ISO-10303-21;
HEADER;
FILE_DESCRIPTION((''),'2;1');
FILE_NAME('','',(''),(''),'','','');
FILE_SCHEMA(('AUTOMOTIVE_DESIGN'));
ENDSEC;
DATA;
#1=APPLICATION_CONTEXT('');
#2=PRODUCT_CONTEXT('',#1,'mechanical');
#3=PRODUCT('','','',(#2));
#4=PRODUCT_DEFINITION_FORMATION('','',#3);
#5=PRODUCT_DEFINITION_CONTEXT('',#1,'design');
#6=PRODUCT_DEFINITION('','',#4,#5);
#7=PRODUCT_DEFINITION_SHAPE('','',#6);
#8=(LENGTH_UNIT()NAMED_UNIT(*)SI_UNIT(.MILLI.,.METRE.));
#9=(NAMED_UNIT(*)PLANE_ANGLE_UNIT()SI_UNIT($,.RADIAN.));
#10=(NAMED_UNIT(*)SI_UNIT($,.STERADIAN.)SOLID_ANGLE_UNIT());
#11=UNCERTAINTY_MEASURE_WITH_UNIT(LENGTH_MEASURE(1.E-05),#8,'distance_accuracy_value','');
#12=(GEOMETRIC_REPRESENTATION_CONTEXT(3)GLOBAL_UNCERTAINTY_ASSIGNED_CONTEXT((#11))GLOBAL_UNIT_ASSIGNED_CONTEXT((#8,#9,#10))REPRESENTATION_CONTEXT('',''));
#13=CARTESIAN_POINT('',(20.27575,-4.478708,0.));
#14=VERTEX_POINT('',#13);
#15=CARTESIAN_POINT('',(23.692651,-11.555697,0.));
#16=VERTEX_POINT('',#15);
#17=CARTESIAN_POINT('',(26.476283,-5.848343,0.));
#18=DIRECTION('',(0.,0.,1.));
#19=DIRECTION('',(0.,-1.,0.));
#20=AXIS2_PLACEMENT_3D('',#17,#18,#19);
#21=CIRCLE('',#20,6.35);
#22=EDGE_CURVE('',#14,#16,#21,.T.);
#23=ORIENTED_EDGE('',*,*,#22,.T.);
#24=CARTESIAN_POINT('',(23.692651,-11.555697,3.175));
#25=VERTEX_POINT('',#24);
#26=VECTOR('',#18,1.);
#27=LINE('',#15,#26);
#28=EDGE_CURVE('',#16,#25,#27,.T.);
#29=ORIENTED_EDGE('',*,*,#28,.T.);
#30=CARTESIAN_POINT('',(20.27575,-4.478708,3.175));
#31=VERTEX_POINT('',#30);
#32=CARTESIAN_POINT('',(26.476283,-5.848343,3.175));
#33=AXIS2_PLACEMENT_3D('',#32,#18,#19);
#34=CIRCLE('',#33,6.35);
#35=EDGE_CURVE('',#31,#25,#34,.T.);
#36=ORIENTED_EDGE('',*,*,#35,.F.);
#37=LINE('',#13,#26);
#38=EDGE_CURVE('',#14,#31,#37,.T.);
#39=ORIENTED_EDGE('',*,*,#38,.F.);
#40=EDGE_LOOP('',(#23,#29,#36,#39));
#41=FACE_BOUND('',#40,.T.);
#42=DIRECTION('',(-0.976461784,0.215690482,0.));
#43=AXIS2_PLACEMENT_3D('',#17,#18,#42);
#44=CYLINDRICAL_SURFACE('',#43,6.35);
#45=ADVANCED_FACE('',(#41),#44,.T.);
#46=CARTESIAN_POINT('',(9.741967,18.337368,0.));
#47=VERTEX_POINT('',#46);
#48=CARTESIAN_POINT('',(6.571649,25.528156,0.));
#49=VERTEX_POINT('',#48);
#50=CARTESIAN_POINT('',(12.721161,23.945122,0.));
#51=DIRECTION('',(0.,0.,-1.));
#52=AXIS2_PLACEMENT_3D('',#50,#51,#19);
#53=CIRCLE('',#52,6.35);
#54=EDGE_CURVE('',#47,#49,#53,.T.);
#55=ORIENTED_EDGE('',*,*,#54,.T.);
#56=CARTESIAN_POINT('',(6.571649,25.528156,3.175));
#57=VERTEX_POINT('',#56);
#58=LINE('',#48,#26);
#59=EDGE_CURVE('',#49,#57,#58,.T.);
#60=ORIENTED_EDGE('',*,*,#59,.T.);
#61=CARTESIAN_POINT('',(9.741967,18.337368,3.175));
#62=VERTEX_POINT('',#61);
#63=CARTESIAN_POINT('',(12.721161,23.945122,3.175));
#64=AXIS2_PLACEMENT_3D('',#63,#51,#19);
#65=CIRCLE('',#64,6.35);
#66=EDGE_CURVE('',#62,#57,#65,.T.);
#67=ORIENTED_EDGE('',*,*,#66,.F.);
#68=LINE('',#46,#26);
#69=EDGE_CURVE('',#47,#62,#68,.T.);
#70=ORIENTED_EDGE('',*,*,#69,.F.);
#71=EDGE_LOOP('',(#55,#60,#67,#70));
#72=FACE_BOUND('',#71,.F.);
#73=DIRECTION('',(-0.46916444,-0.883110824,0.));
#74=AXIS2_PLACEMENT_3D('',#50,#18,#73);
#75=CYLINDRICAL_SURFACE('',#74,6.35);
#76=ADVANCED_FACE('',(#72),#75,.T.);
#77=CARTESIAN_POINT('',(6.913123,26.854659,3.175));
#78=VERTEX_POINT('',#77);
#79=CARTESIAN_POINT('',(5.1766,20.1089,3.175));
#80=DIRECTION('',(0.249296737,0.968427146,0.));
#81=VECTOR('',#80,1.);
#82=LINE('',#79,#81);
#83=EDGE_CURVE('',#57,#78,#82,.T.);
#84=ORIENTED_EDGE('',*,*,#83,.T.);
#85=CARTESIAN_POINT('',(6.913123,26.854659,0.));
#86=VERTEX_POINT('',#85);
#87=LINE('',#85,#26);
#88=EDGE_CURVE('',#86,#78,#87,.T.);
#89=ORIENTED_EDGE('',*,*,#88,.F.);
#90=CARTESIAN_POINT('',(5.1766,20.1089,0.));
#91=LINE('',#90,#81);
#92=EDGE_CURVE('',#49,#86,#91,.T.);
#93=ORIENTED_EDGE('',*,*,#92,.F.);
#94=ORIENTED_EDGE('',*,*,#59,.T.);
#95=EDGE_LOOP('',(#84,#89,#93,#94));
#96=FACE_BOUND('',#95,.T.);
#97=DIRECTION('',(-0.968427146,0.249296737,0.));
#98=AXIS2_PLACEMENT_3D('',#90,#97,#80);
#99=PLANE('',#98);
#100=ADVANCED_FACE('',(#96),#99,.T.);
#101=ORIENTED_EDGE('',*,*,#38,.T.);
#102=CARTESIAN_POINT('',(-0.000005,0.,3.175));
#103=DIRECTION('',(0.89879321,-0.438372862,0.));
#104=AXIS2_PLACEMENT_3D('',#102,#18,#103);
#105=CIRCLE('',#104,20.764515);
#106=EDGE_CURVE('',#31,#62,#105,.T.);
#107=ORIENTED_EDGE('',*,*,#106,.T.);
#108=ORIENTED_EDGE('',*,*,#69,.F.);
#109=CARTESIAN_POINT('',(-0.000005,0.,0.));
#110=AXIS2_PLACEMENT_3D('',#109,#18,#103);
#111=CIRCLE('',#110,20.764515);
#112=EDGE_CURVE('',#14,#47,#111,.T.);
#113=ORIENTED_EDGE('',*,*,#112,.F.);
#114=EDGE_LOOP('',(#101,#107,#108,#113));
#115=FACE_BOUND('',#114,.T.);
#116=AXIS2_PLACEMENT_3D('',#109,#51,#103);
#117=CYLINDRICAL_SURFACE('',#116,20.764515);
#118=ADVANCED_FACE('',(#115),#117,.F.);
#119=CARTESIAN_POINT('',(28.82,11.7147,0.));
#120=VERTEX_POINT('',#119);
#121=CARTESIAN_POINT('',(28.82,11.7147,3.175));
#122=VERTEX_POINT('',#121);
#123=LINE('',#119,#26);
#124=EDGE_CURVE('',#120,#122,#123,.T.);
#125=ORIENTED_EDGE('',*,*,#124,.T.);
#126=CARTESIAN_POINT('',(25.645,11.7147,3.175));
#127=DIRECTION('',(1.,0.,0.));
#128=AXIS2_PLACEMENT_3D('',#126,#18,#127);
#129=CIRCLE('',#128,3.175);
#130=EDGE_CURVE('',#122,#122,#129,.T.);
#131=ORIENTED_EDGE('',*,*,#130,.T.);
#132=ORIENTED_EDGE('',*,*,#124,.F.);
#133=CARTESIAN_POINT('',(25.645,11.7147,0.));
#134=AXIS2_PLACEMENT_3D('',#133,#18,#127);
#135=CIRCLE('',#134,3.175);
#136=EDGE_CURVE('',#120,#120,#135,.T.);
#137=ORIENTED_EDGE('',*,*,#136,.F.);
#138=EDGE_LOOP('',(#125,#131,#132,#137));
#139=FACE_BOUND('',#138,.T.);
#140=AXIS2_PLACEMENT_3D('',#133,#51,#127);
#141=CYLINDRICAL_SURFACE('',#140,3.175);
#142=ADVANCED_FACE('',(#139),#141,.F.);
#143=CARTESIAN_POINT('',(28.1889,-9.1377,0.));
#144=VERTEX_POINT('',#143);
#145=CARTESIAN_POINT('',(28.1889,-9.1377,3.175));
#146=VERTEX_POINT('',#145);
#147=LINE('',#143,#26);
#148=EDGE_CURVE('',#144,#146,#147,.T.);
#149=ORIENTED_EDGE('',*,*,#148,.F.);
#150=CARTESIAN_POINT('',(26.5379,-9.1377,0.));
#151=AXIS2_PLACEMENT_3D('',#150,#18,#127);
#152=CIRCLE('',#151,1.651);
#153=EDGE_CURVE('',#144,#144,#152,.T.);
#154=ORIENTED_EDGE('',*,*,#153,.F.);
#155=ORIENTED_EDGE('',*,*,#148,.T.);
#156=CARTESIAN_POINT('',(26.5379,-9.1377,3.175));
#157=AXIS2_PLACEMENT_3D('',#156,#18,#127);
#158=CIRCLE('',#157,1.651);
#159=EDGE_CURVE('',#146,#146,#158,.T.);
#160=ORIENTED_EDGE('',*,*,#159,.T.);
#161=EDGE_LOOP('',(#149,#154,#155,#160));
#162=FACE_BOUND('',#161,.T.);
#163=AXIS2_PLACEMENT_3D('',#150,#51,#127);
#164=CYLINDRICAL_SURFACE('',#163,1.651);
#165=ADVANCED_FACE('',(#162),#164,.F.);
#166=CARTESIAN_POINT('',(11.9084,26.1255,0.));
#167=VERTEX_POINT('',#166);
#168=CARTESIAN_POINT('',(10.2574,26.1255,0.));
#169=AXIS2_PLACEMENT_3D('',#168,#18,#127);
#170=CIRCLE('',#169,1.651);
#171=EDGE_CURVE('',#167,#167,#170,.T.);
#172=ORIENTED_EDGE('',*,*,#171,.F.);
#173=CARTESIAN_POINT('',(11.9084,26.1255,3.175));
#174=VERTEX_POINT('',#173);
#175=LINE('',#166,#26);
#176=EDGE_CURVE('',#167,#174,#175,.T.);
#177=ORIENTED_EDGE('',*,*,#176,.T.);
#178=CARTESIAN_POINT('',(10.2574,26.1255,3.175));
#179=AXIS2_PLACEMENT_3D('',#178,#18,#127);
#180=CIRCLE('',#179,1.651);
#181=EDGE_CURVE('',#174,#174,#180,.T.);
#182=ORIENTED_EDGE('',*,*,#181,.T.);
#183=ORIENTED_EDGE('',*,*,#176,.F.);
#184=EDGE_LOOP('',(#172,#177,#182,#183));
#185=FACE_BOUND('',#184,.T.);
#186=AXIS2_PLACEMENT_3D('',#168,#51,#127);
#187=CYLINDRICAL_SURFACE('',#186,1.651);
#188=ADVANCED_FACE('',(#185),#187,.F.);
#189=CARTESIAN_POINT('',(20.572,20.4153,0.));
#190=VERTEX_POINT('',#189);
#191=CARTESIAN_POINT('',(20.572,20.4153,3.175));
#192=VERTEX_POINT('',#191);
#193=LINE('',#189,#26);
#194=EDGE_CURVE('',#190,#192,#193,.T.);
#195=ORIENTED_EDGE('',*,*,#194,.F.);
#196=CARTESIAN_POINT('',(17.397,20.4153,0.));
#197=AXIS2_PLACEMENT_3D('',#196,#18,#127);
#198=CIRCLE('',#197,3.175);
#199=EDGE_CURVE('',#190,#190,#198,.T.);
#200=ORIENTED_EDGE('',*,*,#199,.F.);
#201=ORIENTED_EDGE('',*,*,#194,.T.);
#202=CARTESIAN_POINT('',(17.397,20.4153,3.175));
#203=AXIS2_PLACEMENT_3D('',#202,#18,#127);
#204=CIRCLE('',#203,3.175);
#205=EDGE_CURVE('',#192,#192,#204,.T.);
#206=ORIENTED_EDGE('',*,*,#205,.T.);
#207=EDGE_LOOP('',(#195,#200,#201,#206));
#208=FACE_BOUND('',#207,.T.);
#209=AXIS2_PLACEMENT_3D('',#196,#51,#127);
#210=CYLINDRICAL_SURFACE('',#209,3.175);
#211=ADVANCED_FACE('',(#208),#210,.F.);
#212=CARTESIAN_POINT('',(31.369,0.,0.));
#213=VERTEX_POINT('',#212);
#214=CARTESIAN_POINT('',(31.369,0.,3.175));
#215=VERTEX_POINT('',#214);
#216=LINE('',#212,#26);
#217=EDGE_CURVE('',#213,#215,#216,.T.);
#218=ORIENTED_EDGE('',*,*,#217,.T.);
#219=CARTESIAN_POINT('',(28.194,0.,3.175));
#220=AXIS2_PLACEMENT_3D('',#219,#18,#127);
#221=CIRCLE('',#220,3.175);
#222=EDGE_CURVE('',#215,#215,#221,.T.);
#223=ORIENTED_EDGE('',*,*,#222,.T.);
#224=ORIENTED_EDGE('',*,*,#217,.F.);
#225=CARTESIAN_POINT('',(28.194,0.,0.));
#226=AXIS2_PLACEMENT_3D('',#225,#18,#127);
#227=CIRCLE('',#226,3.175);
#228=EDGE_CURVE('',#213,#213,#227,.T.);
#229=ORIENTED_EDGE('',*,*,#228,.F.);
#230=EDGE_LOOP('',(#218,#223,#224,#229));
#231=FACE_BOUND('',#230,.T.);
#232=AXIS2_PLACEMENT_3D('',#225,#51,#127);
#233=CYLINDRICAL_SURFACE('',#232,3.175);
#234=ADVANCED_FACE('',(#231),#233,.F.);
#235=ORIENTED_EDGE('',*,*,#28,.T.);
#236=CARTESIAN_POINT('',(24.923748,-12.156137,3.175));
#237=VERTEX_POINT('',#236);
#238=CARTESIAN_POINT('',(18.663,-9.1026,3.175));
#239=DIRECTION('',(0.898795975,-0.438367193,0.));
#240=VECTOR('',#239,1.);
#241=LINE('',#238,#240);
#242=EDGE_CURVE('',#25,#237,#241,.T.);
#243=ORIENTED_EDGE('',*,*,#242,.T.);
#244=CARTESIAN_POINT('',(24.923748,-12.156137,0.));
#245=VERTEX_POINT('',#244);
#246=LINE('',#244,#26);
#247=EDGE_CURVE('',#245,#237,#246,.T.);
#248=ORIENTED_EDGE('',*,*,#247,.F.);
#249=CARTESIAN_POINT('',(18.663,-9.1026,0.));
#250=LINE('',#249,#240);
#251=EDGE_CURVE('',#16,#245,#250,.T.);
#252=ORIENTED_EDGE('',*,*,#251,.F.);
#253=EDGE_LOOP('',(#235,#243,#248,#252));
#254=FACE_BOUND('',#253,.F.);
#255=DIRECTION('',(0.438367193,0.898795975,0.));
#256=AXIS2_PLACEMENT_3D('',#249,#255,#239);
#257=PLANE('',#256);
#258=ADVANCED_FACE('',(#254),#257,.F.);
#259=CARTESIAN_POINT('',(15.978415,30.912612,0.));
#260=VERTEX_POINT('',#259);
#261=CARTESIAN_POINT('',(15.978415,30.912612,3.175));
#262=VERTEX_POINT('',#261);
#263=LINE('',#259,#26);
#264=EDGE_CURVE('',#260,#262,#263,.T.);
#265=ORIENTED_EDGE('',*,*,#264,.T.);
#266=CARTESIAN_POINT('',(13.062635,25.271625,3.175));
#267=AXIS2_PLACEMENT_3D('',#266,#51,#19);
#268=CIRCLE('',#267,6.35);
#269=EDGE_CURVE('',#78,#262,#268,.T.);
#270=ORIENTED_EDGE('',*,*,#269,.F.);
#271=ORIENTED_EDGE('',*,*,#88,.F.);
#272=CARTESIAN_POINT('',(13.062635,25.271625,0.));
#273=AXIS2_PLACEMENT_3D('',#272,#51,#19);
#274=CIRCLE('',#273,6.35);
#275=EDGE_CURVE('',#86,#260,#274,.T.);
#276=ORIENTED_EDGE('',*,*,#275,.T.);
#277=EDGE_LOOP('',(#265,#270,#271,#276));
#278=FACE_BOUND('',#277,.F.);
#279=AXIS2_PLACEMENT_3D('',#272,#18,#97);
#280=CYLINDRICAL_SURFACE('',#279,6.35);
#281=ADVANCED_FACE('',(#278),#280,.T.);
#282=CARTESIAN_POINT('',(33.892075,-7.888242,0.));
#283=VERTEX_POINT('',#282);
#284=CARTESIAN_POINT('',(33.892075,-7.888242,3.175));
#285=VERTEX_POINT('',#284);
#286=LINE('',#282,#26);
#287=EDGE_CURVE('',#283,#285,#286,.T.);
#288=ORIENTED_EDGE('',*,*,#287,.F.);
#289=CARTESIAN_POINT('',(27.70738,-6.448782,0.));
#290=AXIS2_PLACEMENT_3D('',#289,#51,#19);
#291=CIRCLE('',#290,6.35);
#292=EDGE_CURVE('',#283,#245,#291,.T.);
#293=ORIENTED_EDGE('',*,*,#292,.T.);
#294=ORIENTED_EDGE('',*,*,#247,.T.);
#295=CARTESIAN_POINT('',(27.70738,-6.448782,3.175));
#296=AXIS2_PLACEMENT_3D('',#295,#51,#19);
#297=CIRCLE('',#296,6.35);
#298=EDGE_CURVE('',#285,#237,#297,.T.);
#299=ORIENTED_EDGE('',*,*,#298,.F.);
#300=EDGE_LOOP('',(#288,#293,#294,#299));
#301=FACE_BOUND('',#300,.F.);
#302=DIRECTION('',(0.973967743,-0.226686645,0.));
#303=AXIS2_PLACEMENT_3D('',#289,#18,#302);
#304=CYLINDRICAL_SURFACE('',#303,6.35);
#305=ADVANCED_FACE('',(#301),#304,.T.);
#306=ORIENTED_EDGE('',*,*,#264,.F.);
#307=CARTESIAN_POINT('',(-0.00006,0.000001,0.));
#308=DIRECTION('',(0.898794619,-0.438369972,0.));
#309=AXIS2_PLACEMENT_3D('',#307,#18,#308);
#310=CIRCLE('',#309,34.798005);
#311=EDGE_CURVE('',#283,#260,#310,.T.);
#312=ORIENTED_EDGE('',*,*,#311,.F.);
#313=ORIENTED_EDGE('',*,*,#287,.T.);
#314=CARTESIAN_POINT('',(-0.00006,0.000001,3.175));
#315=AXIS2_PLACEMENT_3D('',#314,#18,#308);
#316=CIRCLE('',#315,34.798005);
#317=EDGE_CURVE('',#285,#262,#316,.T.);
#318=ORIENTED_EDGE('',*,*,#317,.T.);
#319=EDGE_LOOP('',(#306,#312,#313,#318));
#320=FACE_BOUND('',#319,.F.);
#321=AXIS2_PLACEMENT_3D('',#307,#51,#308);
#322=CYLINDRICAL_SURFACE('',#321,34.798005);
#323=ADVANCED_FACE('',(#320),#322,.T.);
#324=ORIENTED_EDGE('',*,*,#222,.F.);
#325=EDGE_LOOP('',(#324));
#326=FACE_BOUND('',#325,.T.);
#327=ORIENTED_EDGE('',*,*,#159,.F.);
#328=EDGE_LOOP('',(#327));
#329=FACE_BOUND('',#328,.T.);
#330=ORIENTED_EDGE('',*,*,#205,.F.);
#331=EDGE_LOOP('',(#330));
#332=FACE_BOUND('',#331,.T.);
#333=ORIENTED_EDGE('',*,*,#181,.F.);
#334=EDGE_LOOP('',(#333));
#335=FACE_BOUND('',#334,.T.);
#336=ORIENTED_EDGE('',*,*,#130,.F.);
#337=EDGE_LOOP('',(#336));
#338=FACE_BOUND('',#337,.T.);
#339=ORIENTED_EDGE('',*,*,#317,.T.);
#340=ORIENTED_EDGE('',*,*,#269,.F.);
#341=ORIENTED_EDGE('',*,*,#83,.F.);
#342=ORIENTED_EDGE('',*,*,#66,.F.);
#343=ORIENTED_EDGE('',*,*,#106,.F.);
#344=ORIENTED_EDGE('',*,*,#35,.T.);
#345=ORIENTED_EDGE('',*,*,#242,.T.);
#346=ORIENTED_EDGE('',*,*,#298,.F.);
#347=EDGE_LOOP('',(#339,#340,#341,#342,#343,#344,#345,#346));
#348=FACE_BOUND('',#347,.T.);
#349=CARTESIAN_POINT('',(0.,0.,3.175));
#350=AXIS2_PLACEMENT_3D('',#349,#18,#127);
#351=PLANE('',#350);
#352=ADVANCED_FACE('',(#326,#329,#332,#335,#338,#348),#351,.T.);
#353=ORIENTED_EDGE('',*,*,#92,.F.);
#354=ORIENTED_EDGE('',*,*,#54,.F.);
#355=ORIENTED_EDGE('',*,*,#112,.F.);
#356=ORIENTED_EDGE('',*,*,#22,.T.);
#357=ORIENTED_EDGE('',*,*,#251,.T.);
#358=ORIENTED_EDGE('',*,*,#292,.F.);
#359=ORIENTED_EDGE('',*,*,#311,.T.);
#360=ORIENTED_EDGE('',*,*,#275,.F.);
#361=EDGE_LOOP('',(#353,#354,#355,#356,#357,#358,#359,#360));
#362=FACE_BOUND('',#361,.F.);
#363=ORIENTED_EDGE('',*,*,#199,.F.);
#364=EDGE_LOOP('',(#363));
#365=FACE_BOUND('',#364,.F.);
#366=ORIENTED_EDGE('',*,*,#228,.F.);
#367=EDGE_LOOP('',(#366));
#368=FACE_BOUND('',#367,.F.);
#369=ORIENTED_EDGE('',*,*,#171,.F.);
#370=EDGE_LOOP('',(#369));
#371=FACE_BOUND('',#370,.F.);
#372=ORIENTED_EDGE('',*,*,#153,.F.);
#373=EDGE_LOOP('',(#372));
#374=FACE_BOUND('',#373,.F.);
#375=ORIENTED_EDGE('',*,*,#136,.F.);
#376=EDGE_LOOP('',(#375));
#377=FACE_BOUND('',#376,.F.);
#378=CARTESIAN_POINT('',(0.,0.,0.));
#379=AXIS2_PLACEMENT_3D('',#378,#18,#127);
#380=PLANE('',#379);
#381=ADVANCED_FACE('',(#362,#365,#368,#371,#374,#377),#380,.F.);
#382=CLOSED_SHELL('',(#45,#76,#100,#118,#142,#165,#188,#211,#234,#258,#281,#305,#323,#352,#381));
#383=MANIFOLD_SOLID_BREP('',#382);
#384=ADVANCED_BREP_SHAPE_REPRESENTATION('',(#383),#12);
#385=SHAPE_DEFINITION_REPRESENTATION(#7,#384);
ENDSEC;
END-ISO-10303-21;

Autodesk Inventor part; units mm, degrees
ref_plane "YZ Plane" through (0, 0, 0) normal (1, 0, 0) x (0, 1, 0)
ref_plane "XZ Plane" through (0, 0, 0) normal (0, 1, 0) x (-1, 0, 0)
ref_plane "XY Plane" through (0, 0, 0) normal (0, 0, 1) x (1, 0, 0)
sketch "Sketch2" plane through (0, 0, 0) normal (0, 0, 1) x (1, 0, 0)
  circle A0 centre (28.194, 0) radius 3.175
  circle A1 centre (25.645, 11.7147) radius 3.175
  circle A2 centre (17.397, 20.4153) radius 3.175
  line L0 (0, 0) -> (28.194, 0) construction
  line L1 (25.645, 11.7147) -> (0, 0) construction
  line L2 (17.397, 20.4153) -> (0, 0) construction
  line L3 (18.663, -9.1026) -> (31.2762, -15.2544)
  line L4 (5.1766, 20.1089) -> (8.6751, 33.6993)
  arc A3 (18.663, -9.1026) -> (5.1766, 20.1089) centre (0, 0) ccw
  arc A4 (31.2762, -15.2544) -> (8.6751, 33.6993) centre (0, 0) ccw
  circle A5 centre (10.2574, 26.1255) radius 1.651
  circle A6 centre (26.5379, -9.1377) radius 1.651
  line L5 (10.2574, 26.1255) -> (0, 0) construction
  line L6 (0, 0) -> (26.5379, -9.1377) construction
  dimension "d2" = 6.35
  dimension "d4" = 28.194
  dimension "d5" = 26.8224
  dimension "d6" = 11.9888
  dimension "d7" = 11.9888
  dimension "d9" = 41.529
  dimension "d11" = 69.596
  dimension "d14" = 28.067
  dimension "d15" = 19
  dimension "d16" = 19
  dimension "d17" = 7
  dimension "d18" = 7
  dimension "d19" = 3.302
extrude "Extrusion1" add sketch "Sketch2" along normal blind 3.175
fillet "Fillet1" radius 6.35 4 edges at (8.6751, 33.6993, 1.5875) (5.1766, 20.1089, 1.5875) (18.663, -9.1026, 1.5875) (31.2762, -15.2544, 1.5875)
properties part number "gearboxBearingHolderForward" material "Aluminum 6061"
